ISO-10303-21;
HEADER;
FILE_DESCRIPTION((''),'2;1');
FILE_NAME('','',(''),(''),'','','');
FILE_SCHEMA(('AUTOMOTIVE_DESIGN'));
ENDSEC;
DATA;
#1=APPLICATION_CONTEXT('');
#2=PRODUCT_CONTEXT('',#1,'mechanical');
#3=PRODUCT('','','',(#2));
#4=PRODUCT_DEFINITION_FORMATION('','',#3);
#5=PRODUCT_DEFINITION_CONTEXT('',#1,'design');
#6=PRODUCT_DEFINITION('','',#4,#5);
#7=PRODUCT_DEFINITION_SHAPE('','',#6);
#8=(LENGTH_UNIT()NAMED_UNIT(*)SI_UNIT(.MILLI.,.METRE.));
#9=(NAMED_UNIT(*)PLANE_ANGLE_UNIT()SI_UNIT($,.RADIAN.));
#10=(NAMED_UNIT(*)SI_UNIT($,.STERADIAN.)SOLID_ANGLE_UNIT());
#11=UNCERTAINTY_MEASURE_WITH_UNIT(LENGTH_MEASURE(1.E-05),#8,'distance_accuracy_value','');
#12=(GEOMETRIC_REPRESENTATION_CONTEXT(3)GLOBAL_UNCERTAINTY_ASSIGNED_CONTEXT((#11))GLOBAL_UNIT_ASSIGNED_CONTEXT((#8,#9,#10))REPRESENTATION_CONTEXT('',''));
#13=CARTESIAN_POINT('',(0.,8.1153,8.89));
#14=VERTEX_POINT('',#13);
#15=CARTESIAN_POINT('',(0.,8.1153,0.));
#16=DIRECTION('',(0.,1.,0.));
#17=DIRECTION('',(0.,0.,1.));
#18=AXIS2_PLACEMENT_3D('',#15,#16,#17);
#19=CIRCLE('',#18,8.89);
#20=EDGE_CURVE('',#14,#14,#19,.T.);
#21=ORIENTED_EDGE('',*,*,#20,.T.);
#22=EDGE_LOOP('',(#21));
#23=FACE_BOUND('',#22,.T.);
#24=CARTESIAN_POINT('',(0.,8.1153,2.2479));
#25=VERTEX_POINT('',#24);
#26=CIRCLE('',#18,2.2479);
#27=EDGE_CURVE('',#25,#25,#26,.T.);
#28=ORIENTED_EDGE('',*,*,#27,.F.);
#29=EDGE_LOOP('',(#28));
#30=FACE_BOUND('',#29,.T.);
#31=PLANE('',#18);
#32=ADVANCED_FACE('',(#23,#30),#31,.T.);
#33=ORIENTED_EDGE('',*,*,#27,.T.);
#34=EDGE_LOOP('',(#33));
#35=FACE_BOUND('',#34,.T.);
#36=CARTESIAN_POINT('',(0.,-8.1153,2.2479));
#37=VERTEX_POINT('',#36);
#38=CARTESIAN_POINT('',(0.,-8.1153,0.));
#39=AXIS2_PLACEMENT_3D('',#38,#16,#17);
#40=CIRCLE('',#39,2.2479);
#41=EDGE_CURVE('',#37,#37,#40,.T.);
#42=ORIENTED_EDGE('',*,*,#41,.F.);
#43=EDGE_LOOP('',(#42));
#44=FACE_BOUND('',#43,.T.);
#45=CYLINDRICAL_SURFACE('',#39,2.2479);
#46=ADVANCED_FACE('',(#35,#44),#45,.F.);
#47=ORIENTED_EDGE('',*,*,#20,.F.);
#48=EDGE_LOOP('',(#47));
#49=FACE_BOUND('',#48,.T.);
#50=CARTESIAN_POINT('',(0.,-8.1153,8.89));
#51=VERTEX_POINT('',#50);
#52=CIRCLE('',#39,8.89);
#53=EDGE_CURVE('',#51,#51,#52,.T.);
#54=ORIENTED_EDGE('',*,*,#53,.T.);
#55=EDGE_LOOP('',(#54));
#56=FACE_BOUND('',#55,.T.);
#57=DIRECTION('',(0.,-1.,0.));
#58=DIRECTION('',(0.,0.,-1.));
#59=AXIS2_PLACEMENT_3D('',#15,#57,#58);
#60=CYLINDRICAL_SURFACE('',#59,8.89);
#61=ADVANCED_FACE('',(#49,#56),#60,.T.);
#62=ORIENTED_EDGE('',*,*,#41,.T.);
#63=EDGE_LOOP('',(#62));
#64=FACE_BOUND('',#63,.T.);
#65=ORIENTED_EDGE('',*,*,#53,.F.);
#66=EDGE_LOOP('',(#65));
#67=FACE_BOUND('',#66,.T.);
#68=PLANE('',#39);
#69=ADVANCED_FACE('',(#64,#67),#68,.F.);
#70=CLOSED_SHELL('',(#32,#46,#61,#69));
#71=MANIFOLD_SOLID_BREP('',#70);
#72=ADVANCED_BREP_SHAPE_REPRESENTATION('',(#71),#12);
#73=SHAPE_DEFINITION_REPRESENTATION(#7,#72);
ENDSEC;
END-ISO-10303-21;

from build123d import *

# Parameters (mm, degrees)
SKETCH1_R               = 8.89
BOSS_EXTRUDE1_DEPTH     = 8.1153
CUT_EXTRUDE1_DEPTH      = 21.530381788
CUT_EXTRUDE1_DEPTH_BACK = 21.530381788
SKETCH2_R               = 2.2479


with BuildPart() as part:
    # Sketch1 → Boss-Extrude1 (new, symmetric)
    with BuildSketch(Plane(origin=(0, 0, 0), x_dir=(1, 0, 0), z_dir=(0, 1, 0))):
        with Locations(Location((0, 0, 0), (0, 0, 270))):
            Circle(SKETCH1_R)
    extrude(amount=BOSS_EXTRUDE1_DEPTH, both=True)

    # Sketch2 → Cut-Extrude1 (cut, two sides: drawn at the far end of the back side and taken through both)
    with BuildSketch(Plane(origin=(0, 8.1153, 0), x_dir=(1, 0, 0), z_dir=(0, 1, 0)).offset(-CUT_EXTRUDE1_DEPTH_BACK)):
        with Locations(Location((0, 0, 0), (0, 0, 270))):
            Circle(SKETCH2_R)
    extrude(amount=CUT_EXTRUDE1_DEPTH + CUT_EXTRUDE1_DEPTH_BACK, mode=Mode.SUBTRACT)


solid = part.part
